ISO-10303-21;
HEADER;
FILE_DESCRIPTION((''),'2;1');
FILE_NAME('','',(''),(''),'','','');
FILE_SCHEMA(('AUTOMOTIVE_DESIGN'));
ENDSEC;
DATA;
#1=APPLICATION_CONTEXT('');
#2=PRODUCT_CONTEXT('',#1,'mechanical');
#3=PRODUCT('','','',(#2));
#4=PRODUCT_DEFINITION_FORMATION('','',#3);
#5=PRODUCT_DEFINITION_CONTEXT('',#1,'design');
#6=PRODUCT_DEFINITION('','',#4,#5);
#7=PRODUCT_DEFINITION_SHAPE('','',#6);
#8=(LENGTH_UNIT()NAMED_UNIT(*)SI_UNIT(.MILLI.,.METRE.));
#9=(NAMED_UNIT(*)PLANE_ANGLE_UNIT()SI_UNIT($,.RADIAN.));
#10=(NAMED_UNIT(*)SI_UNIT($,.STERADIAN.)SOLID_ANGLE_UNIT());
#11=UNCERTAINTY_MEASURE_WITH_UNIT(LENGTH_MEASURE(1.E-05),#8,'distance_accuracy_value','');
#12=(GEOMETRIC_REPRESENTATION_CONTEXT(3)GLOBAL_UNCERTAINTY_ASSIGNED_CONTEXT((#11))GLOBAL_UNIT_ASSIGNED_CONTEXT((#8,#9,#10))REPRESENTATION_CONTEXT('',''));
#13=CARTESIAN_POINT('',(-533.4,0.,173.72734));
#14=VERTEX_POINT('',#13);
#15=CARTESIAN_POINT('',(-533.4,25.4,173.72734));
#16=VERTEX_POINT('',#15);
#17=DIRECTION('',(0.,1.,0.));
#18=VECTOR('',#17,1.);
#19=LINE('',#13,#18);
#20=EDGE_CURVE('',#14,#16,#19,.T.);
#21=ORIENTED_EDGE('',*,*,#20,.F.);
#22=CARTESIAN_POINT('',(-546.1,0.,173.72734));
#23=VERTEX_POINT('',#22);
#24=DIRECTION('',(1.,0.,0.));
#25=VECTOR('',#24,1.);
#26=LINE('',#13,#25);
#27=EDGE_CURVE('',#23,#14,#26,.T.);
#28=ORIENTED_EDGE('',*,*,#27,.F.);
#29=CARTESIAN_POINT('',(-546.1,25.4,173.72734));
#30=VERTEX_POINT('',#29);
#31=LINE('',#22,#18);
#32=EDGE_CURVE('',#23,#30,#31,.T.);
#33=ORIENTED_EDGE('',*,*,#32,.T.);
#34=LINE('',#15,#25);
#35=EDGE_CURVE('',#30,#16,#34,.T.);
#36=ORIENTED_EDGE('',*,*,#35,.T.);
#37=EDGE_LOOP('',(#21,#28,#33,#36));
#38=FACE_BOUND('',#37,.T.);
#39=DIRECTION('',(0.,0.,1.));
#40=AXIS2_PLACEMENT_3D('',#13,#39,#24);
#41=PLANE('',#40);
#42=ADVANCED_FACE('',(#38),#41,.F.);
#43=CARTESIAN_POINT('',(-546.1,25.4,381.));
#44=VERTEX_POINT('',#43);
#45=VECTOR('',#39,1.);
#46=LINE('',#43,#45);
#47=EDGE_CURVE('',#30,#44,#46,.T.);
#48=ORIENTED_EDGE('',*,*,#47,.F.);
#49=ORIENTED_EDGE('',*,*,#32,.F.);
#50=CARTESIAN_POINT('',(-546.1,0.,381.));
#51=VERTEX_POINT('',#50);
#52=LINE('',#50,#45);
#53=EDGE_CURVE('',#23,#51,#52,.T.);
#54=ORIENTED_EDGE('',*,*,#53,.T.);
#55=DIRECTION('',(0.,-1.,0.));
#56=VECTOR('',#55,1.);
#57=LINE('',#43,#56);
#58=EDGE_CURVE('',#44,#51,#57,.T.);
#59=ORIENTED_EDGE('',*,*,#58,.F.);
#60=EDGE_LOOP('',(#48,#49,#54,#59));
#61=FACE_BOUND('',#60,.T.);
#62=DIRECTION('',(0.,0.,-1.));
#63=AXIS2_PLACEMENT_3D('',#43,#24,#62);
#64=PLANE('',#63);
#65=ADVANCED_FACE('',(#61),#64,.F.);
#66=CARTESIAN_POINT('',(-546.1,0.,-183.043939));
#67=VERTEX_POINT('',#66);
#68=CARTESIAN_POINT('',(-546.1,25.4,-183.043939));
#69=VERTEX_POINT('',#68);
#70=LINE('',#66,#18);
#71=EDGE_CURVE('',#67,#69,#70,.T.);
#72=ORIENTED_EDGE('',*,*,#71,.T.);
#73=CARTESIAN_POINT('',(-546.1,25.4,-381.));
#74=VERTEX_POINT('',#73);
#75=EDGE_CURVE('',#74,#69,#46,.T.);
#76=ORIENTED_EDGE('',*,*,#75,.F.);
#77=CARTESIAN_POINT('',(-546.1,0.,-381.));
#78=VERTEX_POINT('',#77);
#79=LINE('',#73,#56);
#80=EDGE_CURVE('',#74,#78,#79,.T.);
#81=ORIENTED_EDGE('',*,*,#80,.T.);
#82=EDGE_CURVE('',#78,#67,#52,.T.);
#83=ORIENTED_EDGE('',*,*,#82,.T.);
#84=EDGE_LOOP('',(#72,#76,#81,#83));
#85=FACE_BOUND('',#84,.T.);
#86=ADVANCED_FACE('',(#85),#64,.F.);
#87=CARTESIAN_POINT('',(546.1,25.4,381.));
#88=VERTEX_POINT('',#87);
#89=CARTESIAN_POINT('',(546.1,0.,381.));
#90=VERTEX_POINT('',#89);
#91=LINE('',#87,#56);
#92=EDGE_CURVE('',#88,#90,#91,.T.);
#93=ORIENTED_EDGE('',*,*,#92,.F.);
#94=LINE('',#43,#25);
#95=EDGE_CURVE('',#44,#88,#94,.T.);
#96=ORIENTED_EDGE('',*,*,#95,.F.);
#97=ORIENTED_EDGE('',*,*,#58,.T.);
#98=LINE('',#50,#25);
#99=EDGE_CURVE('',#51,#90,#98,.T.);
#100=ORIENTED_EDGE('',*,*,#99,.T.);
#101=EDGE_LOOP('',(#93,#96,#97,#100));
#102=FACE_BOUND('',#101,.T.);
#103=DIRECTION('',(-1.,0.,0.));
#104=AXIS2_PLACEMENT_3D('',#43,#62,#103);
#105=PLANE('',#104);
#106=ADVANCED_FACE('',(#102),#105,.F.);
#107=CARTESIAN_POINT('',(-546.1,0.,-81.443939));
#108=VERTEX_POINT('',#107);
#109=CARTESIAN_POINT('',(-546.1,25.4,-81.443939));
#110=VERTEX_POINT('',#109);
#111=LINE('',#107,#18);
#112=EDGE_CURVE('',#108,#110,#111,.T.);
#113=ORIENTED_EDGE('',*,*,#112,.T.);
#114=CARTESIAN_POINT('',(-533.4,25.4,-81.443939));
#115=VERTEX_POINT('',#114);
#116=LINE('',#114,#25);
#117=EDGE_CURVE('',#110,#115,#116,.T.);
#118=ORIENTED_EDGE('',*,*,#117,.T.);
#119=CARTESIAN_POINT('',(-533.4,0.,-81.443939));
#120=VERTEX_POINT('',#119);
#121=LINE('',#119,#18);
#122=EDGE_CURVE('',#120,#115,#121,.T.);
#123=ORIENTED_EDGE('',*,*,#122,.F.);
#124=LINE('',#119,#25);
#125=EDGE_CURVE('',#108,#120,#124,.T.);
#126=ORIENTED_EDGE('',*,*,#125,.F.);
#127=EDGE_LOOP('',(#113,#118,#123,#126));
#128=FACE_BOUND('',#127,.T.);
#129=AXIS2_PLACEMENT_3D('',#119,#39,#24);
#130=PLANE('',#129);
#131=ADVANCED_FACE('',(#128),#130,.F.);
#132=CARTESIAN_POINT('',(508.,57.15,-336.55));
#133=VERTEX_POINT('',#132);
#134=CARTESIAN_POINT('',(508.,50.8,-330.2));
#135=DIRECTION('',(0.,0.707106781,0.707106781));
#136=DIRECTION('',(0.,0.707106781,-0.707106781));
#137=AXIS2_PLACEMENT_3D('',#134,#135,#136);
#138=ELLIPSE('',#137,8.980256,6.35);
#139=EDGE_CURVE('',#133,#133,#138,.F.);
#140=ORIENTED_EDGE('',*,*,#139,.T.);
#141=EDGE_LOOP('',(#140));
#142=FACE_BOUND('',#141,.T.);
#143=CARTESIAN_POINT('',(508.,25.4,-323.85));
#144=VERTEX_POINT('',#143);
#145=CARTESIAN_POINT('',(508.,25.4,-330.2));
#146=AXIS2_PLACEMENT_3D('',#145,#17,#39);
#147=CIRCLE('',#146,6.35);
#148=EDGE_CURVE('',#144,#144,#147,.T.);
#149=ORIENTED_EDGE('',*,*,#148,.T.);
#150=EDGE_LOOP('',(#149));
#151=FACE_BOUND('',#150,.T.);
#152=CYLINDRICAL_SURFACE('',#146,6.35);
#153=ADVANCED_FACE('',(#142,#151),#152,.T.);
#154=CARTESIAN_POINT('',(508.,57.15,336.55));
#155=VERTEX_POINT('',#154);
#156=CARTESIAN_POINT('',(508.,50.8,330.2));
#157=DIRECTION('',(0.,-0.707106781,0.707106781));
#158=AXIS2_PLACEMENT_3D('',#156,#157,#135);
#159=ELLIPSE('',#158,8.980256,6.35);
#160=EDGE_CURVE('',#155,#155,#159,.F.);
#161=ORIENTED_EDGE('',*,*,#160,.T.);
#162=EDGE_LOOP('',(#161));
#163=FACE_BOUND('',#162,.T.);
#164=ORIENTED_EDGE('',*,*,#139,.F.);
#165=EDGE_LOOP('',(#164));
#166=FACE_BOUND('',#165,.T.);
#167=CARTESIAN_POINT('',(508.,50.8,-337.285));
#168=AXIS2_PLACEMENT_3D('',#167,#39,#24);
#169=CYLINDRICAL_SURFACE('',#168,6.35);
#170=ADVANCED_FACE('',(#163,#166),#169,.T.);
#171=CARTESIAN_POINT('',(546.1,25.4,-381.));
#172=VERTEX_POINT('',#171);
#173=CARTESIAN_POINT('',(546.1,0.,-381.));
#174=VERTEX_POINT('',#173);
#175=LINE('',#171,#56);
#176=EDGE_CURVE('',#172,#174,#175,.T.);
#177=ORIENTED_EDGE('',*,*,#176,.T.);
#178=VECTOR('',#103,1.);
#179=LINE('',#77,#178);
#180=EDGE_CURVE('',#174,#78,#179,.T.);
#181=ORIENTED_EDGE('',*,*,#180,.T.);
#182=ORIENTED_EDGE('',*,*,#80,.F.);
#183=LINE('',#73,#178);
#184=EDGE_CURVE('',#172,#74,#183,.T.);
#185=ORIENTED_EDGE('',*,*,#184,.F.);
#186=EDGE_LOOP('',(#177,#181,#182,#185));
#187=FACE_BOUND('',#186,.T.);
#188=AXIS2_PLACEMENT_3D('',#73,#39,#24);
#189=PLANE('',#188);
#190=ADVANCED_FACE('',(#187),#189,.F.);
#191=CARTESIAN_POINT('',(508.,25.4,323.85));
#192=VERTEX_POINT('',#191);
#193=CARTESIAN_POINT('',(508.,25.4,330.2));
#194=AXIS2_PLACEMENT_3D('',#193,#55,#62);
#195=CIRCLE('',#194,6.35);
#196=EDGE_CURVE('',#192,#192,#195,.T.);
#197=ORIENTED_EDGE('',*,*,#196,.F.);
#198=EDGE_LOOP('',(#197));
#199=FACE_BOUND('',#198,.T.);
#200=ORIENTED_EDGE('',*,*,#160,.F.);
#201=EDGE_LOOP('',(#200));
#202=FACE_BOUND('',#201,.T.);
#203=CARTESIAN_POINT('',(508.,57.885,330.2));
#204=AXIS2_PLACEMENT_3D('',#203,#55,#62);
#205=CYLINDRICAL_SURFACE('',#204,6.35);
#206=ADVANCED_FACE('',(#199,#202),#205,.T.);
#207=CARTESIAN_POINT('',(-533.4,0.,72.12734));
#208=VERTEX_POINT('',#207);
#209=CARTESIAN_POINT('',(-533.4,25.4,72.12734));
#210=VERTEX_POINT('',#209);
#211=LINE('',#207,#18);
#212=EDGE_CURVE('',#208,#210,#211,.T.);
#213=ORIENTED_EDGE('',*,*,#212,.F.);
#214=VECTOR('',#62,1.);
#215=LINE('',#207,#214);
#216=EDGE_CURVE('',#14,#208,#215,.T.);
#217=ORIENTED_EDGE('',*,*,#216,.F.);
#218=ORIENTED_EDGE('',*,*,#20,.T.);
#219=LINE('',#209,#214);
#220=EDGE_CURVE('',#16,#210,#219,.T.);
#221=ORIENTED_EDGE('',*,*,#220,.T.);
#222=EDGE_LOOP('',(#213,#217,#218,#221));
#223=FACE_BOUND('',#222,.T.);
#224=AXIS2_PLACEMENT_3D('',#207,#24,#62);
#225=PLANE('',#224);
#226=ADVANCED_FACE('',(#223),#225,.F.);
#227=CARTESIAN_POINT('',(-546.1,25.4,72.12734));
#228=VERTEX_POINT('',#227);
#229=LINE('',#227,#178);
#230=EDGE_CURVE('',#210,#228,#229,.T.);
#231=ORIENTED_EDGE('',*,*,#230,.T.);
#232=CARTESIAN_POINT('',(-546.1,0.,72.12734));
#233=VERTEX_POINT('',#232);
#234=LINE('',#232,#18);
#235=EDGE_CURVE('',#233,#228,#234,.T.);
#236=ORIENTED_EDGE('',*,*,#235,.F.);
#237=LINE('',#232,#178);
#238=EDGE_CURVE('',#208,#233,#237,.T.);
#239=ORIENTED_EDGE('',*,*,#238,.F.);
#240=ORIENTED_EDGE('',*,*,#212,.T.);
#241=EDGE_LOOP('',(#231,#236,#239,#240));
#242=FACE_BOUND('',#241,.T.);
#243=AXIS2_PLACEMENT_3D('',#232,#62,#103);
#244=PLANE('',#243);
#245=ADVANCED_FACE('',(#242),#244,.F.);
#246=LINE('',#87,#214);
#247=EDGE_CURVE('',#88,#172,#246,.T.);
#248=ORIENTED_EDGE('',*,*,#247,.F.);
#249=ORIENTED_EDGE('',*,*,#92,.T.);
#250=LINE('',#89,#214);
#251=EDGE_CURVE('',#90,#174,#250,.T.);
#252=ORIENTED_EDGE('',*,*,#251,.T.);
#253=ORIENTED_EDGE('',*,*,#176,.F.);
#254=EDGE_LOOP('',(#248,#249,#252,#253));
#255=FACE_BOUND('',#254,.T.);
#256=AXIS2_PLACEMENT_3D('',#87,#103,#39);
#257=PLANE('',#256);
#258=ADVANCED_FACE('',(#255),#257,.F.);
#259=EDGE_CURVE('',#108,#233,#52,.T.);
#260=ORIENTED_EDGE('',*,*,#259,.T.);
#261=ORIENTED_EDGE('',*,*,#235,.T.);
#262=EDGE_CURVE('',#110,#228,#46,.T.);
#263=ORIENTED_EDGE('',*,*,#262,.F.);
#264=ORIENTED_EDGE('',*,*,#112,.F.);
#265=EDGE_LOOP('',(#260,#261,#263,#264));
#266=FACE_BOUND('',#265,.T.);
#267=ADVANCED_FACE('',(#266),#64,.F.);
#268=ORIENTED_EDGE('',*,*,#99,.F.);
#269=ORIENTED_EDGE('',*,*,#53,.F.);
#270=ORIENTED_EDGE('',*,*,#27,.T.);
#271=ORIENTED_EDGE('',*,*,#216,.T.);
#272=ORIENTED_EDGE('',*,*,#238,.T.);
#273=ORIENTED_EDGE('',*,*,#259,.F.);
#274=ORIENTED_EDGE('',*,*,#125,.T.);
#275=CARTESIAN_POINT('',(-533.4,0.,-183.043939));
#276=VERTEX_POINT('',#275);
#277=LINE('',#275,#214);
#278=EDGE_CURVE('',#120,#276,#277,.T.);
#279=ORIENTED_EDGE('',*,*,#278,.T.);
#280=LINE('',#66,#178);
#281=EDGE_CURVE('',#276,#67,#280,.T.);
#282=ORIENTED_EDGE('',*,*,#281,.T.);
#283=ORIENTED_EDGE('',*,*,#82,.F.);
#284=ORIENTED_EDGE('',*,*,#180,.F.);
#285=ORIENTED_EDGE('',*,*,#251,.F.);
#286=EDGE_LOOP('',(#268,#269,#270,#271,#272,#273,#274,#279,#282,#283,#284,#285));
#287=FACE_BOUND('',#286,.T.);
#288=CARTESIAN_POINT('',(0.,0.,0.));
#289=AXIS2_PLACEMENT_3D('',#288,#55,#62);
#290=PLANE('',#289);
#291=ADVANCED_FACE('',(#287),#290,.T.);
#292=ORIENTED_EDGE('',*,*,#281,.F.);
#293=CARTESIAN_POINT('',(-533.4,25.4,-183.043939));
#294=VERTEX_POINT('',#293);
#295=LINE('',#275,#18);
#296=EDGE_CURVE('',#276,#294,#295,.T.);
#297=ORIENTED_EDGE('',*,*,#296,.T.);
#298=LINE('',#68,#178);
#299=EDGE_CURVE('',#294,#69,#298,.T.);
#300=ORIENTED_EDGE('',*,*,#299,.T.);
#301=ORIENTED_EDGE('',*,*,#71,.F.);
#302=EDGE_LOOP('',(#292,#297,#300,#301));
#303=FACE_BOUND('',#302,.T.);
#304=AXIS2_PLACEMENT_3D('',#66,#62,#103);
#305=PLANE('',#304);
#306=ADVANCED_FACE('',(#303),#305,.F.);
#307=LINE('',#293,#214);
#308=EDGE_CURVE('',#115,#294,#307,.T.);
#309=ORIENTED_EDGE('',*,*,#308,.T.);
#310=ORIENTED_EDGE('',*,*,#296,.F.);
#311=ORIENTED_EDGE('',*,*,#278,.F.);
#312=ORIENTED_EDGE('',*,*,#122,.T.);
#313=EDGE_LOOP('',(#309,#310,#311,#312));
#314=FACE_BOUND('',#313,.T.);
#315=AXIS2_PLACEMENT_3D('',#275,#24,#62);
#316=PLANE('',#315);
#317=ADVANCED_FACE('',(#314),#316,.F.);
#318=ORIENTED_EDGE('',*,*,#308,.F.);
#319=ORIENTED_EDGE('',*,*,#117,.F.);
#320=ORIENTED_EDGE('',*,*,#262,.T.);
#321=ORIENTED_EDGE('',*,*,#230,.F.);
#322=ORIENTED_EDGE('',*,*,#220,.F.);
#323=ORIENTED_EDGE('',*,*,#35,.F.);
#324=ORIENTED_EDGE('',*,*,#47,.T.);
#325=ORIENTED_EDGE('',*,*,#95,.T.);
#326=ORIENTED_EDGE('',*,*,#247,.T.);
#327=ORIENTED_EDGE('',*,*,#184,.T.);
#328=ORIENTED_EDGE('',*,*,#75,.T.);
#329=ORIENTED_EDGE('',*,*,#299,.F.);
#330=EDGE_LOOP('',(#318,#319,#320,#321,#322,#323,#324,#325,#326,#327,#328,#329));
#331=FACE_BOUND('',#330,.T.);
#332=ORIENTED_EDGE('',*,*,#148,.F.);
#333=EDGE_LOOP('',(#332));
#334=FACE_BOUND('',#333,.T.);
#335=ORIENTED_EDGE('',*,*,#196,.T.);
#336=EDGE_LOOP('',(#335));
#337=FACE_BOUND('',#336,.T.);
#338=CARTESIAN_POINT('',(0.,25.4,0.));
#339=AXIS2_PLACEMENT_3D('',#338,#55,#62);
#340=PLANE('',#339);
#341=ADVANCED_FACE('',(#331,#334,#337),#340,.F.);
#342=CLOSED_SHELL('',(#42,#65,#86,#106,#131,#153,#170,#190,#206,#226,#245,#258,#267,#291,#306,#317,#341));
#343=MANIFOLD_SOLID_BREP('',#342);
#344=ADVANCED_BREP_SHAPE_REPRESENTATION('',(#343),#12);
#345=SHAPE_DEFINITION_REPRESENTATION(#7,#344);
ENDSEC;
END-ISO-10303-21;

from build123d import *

# Parameters (mm, degrees)
SKETCH1_W           = 1092.2
SKETCH1_H           = 762
BOSS_EXTRUDE1_DEPTH = 25.4
CUT_EXTRUDE1_DEPTH  = 667.356788815
SWEEP1_PROFILE_R    = 6.35


with BuildPart() as part:
    # Sketch1 → Boss-Extrude1 (new body)
    with BuildSketch(Plane(origin=(0, 0, 0), x_dir=(1, 0, 0), z_dir=(0, 1, 0))):
        Rectangle(SKETCH1_W, SKETCH1_H)
    extrude(amount=BOSS_EXTRUDE1_DEPTH)

    # Sketch2 → Cut-Extrude1 (cut, through all)
    with BuildSketch(Plane(origin=(0, 25.4, 0), x_dir=(1, 0, 0), z_dir=(0, 1, 0))):
        Polygon((-546.1, 183.043938976), (-546.1, 132.243938976), (-546.1, 81.443938976), (-533.4, 81.443938976), (-533.4, 183.043938976), align=None)
        Polygon((-546.1, -122.927339743), (-546.1, -173.727339743), (-533.4, -173.727339743), (-533.4, -72.127339743), (-546.1, -72.127339743), align=None)
    extrude(amount=-CUT_EXTRUDE1_DEPTH, mode=Mode.SUBTRACT)

    # Sweep1: sweep along a path in Sketch3
    with BuildLine(Plane(origin=(508, 0, 0), x_dir=(0, 0, -1), z_dir=(1, 0, 0))) as sweep1_path:
        Line((-330.2, 25.4), (-330.2, 50.8))
        Line((-330.2, 50.8), (330.2, 50.8))
        Line((330.2, 50.8), (330.2, 25.4))
    # Sweep1 profile (on start of the path) → Sweep1 (sweep)
    with BuildSketch(Plane(origin=(508, 25.4, 330.2), x_dir=(0, 0, 1), z_dir=(0, 1, 0))):
        Circle(SWEEP1_PROFILE_R)
    sweep(path=sweep1_path.line, transition=Transition.RIGHT)


solid = part.part
